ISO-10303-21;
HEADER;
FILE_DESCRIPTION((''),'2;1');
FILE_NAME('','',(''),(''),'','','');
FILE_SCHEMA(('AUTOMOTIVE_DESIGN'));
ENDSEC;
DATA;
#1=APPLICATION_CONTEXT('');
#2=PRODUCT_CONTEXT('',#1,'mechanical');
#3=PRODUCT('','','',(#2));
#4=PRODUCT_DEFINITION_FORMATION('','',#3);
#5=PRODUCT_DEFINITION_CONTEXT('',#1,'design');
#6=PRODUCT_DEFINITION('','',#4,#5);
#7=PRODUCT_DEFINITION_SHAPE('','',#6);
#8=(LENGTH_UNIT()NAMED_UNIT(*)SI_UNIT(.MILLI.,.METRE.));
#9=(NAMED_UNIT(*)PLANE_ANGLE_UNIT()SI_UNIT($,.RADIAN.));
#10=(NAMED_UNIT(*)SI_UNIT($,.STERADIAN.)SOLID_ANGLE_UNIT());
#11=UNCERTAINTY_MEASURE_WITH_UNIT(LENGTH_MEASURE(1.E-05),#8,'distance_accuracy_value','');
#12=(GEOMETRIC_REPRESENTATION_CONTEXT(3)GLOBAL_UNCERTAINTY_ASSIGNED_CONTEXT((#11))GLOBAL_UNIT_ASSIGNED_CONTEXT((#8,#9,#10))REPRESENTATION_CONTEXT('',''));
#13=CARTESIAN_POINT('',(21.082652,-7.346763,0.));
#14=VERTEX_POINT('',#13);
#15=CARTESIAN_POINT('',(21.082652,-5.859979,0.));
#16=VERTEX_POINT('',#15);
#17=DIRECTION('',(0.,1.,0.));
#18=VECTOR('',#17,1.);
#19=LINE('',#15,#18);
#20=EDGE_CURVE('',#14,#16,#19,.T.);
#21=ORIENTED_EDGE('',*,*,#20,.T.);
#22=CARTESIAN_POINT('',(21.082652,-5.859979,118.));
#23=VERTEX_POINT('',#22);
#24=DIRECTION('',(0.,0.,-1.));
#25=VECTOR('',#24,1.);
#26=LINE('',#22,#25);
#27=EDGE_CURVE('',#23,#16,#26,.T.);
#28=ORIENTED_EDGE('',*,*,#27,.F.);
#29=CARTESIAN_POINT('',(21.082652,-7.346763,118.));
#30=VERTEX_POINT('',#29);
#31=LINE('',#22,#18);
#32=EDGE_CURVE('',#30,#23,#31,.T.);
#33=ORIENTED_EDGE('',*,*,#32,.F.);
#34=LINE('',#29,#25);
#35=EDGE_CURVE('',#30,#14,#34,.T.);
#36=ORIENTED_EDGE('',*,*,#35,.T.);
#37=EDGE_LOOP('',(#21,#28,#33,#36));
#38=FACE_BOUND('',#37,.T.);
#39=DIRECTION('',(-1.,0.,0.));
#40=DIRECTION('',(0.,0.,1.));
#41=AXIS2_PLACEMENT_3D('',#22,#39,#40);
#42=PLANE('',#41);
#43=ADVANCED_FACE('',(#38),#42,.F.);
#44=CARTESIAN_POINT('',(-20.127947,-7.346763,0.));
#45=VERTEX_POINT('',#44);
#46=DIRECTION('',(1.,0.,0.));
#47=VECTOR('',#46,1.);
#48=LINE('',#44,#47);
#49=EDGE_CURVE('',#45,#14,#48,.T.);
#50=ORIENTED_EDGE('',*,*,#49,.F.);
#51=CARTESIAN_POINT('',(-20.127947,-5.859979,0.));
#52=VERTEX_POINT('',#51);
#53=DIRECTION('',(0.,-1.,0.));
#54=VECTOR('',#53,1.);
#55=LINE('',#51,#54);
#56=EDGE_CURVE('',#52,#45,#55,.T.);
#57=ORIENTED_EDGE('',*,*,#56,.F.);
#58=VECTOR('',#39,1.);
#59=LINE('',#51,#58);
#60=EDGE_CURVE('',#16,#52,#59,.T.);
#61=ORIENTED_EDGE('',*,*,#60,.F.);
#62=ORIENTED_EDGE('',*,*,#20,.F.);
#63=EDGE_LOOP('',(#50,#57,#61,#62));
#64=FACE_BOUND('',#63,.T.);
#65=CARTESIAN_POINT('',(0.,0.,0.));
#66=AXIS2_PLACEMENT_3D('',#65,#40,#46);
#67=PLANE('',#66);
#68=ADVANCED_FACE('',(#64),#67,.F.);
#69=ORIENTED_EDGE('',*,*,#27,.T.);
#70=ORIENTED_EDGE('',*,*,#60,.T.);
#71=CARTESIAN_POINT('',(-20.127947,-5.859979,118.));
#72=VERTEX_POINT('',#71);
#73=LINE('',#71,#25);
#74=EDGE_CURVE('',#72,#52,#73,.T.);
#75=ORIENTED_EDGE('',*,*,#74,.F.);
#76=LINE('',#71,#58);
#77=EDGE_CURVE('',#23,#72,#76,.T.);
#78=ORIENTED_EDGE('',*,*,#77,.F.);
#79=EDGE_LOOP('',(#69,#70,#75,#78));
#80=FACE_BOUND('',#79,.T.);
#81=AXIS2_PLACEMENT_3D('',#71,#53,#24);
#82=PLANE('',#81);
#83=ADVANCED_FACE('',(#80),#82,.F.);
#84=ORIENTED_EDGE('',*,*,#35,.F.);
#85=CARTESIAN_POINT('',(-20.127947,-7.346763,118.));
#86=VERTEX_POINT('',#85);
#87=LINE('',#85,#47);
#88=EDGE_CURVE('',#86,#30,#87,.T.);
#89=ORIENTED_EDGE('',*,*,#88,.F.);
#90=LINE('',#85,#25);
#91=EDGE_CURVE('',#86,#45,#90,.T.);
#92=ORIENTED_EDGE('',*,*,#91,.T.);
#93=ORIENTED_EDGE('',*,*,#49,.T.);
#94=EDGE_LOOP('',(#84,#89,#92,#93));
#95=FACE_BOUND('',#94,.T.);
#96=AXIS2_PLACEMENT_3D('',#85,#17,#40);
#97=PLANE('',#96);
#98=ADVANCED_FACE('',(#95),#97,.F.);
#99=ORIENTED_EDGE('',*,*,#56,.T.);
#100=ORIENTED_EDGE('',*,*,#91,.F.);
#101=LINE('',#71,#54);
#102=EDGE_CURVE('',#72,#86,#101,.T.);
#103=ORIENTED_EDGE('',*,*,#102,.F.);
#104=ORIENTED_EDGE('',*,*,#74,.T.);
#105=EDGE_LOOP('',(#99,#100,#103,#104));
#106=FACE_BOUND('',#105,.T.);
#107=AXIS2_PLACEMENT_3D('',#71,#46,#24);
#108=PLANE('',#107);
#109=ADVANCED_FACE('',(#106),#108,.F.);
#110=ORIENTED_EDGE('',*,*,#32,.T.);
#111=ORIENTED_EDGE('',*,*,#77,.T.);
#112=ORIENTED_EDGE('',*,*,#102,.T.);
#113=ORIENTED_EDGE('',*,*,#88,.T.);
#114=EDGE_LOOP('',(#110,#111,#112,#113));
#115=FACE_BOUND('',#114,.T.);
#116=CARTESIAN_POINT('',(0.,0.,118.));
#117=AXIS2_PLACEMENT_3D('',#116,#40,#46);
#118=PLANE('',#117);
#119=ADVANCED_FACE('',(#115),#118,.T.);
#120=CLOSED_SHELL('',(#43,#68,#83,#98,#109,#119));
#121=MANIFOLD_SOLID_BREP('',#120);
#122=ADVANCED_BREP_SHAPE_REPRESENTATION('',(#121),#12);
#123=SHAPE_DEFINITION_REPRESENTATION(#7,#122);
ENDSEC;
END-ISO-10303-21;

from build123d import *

# Parameters (mm, degrees)
ESQUISSE1_W        = 41.210599086
ESQUISSE1_H        = 1.486783871
BOSS_EXTRU_1_DEPTH = 118


with BuildPart() as part:
    # Esquisse1 → Boss.-Extru.1 (new body)
    with BuildSketch(Plane.XY):
        with Locations((0.477352141, -6.603371288)):
            Rectangle(ESQUISSE1_W, ESQUISSE1_H)
    extrude(amount=BOSS_EXTRU_1_DEPTH)


solid = part.part
